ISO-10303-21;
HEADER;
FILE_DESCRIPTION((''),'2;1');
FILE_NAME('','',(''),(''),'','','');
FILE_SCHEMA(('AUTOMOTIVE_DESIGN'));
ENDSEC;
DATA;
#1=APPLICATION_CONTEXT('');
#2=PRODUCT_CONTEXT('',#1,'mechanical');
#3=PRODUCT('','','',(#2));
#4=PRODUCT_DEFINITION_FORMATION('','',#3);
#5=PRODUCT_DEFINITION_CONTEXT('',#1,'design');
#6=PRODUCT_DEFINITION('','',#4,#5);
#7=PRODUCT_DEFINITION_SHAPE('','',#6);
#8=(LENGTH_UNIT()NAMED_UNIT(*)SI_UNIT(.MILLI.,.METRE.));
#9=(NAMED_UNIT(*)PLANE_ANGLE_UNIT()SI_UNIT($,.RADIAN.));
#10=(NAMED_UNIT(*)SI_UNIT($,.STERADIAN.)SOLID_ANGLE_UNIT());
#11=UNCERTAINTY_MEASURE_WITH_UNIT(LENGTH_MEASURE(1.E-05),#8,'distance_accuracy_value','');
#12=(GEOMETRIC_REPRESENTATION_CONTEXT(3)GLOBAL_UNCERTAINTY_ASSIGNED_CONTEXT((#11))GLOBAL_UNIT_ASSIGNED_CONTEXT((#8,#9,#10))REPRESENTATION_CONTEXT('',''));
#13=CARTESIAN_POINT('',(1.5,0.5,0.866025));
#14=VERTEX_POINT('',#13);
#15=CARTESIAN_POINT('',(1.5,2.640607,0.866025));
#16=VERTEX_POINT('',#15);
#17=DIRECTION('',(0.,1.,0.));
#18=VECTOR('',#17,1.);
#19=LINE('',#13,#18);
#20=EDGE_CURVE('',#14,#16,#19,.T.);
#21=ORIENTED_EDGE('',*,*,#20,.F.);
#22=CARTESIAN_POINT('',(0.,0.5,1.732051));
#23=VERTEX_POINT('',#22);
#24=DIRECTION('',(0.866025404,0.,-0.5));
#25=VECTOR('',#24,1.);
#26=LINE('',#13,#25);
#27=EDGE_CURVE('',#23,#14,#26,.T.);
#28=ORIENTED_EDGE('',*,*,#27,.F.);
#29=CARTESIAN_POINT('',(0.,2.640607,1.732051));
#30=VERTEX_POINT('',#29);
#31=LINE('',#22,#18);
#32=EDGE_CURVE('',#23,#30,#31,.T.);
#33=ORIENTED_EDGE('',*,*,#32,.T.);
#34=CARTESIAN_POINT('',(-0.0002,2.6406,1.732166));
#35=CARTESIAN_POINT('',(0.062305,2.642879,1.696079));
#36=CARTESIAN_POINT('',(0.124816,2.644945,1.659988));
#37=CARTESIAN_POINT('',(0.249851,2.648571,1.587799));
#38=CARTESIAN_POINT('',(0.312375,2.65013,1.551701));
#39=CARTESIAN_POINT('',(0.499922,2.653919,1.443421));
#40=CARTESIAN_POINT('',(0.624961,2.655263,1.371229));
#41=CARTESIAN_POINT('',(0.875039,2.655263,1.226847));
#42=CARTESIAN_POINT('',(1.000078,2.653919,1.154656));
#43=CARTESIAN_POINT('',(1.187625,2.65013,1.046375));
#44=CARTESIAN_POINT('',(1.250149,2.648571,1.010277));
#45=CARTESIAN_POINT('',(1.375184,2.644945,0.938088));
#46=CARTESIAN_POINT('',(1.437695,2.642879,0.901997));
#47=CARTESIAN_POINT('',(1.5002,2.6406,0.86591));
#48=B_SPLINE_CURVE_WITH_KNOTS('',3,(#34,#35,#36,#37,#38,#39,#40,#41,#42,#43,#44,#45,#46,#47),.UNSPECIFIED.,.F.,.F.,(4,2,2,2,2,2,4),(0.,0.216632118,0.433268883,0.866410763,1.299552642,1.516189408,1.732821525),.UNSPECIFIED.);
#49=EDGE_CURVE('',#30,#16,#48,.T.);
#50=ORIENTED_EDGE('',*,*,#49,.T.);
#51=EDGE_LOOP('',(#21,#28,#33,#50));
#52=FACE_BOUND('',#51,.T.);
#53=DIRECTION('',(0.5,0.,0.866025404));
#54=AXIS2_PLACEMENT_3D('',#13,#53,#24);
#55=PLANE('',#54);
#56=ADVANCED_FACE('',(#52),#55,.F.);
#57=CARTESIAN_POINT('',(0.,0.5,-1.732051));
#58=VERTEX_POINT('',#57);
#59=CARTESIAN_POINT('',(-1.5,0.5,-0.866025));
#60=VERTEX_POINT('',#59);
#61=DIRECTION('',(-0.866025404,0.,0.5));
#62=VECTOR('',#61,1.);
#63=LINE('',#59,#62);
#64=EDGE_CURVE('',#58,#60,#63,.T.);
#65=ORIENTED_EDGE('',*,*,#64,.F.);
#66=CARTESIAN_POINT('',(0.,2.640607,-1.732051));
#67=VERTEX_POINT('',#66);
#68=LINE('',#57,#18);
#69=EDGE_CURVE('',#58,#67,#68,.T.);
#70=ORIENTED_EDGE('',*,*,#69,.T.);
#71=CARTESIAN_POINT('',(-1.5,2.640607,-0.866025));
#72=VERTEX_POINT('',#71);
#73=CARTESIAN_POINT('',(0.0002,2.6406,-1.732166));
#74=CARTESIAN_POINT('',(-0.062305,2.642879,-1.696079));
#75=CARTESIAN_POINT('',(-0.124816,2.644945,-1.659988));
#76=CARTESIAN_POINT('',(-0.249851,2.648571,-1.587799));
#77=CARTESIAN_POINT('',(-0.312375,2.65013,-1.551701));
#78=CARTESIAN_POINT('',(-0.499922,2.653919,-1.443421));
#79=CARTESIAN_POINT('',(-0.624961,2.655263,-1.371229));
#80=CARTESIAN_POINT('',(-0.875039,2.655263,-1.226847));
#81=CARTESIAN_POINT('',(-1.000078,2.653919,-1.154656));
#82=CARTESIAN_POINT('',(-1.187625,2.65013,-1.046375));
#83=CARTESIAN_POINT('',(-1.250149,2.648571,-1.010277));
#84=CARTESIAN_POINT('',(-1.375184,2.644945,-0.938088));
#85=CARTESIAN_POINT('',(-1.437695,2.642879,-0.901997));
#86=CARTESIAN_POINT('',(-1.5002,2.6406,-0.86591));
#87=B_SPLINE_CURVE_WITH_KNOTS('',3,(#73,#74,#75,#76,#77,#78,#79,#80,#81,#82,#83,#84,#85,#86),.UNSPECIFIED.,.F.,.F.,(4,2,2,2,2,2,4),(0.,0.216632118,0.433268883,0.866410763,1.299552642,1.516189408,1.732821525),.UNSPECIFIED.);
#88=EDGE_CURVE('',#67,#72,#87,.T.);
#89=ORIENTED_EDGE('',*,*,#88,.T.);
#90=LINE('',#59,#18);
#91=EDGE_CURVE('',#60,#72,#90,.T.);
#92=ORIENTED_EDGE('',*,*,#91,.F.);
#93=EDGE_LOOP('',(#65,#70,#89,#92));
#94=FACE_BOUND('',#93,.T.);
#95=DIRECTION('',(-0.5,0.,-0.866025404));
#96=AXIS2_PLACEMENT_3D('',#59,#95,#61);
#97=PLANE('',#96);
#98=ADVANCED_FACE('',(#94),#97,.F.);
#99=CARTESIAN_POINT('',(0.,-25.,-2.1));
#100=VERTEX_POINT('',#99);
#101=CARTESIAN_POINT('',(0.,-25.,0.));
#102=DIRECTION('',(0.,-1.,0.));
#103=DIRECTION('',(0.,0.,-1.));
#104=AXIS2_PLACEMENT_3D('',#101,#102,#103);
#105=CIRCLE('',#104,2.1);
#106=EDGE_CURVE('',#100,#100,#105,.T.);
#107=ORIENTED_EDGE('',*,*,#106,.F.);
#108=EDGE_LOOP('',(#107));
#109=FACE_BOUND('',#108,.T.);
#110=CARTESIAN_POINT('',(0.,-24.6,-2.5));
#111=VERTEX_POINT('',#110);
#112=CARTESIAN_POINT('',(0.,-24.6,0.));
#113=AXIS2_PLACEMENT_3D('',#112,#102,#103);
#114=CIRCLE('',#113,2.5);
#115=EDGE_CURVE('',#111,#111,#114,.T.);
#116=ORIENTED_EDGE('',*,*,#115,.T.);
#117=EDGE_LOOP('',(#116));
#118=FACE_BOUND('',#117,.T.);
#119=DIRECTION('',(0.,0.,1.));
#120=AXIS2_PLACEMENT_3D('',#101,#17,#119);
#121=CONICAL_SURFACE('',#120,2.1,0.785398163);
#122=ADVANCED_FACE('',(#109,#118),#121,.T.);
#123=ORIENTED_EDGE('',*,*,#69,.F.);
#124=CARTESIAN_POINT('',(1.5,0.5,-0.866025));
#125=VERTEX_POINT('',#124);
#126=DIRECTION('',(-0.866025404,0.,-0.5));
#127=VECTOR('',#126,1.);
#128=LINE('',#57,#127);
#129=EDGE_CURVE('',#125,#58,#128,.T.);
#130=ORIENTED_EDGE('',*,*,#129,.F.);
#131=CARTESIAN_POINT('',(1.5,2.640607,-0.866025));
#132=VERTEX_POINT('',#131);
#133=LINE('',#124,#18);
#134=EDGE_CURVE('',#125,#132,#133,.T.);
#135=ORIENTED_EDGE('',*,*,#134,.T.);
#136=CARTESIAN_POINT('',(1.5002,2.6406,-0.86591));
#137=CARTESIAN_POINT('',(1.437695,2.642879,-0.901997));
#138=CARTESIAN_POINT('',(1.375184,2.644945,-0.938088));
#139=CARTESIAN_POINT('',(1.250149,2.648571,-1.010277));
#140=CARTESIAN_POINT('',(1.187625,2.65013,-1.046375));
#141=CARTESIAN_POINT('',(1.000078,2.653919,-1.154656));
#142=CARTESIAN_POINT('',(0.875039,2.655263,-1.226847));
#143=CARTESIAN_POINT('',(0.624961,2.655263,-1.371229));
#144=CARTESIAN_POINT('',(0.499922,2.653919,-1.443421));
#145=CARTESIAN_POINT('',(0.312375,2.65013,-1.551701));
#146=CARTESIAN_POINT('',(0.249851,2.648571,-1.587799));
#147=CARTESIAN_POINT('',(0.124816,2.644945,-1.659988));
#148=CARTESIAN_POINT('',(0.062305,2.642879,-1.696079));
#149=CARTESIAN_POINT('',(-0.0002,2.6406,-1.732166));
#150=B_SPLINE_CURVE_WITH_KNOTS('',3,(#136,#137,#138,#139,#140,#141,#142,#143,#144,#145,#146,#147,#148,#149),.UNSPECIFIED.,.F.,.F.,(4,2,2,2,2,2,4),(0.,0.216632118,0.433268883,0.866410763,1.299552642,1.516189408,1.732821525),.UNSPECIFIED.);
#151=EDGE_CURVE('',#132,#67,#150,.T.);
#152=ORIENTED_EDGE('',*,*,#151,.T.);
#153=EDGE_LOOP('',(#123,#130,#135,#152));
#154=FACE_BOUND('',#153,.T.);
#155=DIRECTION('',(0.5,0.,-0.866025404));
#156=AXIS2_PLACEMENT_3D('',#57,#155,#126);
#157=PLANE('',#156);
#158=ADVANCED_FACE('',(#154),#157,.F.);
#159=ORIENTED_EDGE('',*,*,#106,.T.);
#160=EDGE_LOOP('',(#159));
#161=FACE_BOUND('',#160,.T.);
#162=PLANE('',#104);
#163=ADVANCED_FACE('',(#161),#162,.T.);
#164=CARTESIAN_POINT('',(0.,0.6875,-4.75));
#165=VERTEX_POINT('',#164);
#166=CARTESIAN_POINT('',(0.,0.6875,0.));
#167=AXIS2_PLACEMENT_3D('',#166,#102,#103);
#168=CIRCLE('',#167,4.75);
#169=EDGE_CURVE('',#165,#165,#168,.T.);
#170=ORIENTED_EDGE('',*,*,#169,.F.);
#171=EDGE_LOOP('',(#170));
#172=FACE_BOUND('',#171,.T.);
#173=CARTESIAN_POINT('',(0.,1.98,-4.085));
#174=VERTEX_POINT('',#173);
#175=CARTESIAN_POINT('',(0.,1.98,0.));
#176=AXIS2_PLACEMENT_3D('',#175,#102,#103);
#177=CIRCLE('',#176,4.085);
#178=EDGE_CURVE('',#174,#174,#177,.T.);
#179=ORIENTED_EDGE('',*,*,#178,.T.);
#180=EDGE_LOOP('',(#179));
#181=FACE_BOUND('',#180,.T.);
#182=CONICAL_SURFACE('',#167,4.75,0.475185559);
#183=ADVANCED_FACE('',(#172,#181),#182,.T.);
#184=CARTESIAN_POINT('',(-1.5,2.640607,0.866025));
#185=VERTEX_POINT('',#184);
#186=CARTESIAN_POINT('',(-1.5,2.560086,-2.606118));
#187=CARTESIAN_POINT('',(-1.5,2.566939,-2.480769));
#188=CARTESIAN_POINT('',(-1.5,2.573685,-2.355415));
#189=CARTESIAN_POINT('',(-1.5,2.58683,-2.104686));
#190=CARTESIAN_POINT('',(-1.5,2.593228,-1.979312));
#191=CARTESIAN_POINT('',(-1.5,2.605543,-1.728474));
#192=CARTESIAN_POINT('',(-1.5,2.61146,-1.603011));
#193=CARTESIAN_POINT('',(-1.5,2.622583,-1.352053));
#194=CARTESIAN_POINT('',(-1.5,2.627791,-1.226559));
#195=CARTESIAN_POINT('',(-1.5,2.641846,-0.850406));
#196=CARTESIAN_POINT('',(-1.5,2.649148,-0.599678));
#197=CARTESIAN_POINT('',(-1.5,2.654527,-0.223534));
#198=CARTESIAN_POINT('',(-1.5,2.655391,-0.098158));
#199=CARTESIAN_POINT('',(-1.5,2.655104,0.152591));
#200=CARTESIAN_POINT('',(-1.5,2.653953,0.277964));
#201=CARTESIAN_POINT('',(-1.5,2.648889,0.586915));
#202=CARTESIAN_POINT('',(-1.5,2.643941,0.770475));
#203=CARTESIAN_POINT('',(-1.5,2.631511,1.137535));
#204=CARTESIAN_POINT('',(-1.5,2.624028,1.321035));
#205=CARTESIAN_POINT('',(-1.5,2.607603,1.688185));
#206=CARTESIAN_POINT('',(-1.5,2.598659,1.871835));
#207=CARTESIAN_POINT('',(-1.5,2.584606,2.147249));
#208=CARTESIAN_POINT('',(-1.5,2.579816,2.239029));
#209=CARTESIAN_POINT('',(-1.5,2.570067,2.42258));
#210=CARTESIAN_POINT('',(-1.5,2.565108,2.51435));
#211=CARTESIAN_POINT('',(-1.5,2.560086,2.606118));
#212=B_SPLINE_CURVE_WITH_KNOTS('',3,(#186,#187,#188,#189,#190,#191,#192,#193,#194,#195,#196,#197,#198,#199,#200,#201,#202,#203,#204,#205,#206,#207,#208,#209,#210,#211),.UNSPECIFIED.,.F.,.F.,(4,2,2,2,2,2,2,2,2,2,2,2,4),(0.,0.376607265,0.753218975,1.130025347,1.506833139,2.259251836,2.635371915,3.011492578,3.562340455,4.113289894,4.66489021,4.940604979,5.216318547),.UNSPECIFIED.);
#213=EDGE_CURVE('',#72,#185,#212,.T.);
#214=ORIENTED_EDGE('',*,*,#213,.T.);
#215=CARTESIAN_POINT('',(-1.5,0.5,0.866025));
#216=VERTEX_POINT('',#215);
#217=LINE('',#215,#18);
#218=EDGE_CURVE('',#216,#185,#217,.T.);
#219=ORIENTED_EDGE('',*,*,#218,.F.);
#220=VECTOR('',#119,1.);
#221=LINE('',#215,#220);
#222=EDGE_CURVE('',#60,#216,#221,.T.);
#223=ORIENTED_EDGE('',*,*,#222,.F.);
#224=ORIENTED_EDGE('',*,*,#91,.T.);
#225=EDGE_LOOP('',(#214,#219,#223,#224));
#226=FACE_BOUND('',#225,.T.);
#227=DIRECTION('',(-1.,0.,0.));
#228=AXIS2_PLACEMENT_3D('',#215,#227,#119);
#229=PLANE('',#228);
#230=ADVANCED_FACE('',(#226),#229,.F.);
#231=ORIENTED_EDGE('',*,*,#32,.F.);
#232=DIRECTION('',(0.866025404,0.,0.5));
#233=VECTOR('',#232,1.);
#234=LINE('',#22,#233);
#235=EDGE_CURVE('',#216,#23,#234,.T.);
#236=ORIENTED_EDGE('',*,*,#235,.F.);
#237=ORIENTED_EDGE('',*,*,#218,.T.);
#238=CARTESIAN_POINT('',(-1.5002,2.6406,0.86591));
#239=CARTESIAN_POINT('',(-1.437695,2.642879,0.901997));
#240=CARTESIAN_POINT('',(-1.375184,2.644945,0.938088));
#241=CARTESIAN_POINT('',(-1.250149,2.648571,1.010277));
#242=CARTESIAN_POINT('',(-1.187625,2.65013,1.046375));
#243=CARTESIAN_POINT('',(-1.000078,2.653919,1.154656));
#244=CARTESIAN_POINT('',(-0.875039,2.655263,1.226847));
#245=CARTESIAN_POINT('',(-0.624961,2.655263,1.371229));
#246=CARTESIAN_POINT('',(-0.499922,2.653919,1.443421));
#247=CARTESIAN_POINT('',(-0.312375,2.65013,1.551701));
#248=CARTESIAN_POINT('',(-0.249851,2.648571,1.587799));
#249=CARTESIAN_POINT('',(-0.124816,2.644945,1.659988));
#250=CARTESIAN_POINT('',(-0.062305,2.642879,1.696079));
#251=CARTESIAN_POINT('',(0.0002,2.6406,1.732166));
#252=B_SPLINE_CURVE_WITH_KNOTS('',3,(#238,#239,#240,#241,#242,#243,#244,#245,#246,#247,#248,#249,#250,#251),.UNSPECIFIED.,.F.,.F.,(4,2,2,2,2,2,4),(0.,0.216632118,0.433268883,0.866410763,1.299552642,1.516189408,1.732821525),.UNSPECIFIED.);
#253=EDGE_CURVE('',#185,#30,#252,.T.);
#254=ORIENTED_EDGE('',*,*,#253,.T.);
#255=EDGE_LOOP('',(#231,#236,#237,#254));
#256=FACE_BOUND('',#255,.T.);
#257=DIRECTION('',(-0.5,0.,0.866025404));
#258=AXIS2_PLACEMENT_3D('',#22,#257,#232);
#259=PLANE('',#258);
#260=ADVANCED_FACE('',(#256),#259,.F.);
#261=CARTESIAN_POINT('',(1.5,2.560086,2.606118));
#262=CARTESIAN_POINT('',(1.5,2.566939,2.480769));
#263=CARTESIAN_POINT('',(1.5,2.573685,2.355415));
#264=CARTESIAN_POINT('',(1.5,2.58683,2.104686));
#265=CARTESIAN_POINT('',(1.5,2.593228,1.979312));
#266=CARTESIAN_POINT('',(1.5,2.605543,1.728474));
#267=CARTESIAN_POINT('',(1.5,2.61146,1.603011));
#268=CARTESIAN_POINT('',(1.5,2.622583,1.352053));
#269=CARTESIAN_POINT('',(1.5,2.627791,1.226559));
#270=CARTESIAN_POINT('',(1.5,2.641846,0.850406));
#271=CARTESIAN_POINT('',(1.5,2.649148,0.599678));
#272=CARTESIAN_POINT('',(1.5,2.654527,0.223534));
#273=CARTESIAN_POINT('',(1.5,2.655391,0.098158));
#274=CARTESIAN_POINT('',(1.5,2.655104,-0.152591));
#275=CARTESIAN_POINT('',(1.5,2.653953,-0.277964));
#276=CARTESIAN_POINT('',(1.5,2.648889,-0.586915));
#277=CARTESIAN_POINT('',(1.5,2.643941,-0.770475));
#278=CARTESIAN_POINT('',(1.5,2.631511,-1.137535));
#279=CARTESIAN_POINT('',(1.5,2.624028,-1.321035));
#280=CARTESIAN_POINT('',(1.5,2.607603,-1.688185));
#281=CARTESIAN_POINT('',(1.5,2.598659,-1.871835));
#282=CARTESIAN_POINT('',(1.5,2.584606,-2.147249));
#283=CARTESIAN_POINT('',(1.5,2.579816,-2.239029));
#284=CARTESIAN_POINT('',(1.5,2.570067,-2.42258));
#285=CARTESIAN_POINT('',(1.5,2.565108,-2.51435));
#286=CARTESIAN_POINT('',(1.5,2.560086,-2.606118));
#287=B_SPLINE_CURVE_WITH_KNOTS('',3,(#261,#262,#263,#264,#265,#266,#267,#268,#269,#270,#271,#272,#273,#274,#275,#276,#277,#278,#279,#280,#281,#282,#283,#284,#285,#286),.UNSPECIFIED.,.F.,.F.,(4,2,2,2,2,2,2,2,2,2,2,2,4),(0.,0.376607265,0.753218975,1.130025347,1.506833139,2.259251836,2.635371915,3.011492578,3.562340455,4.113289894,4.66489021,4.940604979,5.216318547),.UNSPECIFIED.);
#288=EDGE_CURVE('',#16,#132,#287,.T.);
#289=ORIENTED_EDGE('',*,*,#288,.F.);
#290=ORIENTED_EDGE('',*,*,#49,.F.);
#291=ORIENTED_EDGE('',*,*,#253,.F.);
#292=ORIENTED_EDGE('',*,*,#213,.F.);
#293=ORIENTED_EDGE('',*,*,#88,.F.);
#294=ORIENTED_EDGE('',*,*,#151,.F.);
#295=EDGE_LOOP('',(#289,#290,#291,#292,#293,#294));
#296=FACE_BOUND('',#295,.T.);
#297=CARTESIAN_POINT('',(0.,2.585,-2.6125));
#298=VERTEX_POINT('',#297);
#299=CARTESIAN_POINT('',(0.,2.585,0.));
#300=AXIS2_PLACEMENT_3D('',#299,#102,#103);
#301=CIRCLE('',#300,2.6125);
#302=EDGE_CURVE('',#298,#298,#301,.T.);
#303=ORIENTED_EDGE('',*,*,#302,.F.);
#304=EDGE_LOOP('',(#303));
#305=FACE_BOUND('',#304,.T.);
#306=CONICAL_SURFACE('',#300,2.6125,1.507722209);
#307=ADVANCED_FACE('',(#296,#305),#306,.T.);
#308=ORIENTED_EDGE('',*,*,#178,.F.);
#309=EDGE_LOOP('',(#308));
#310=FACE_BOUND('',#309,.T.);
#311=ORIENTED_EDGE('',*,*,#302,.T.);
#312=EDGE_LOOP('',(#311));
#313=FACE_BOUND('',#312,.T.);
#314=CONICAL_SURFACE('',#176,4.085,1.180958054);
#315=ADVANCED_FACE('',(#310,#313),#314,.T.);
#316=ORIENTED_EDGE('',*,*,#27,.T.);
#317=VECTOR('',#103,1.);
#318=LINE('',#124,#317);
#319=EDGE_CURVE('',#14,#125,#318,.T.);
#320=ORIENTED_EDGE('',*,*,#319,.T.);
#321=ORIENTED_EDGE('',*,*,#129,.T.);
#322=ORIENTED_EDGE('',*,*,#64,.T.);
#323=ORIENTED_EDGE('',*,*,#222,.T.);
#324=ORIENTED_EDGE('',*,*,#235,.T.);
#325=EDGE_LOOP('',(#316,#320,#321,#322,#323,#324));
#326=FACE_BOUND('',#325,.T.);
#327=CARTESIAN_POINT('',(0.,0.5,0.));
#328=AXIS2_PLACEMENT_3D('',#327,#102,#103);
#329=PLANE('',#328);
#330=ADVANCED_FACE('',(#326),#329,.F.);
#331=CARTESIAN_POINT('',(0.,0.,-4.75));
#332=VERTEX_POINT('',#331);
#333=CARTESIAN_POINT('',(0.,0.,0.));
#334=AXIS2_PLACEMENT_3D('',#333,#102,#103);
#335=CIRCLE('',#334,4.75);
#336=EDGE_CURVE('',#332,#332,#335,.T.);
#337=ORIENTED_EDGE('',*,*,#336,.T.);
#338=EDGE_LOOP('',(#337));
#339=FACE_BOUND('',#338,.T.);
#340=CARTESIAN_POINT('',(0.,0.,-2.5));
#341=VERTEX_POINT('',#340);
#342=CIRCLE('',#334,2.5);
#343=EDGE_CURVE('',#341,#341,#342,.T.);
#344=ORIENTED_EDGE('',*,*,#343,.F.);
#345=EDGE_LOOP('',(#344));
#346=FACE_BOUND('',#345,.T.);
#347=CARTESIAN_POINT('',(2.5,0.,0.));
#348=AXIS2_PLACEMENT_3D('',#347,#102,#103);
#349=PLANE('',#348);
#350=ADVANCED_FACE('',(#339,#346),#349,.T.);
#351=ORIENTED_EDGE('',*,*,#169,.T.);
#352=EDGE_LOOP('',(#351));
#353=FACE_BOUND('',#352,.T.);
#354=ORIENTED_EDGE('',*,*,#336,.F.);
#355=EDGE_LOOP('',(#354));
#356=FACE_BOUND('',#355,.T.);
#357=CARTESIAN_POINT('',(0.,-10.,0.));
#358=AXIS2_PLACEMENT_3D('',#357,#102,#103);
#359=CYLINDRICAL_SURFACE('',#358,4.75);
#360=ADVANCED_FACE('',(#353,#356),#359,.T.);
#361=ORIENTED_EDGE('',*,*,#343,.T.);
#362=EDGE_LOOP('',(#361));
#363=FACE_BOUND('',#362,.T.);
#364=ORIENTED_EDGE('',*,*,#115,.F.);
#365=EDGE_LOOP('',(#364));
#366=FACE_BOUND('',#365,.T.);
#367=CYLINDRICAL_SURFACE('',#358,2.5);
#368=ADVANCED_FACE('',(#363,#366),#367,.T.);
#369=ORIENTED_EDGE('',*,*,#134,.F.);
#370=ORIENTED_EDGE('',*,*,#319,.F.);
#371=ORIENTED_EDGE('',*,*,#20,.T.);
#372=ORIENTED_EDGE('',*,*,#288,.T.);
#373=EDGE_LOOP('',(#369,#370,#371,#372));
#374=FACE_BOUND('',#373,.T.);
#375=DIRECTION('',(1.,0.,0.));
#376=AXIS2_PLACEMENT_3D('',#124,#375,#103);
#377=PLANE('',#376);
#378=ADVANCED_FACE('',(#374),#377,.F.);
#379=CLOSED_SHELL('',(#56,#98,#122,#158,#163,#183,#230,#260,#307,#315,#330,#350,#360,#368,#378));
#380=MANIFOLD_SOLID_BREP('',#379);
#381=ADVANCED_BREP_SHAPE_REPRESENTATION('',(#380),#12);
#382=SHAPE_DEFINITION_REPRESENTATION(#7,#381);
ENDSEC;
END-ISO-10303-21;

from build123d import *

# Parameters (mm, degrees)
CUT_EXTRUDE1_DEPTH = 2.25


with BuildPart() as part:
    # Sketch1 → Revolve1 (revolve)
    with BuildSketch(Plane.XY, mode=Mode.PRIVATE) as revolve1_sk:
        Polygon((0, -25), (2.1, -25), (2.5, -24.6), (2.5, 0), (4.75, 0), (4.75, 0.6875), (4.085, 1.98), (2.6125, 2.585), (0, 2.75), align=None)
    revolve(revolve1_sk.sketch.rotate(Axis((0, -10, 0), (0, 1, 0)), 90), axis=Axis((0, -10, 0), (0, 1, 0)))

    # Sketch2 → Cut-Extrude1 (cut)
    with BuildSketch(Plane(origin=(0, 2.75, 0), x_dir=(1, 0, 0), z_dir=(0, 1, 0))):
        Polygon((1.5, -0.866025404), (0, -1.732050808), (-1.5, -0.866025404), (-1.5, 0.866025404), (0, 1.732050808), (1.5, 0.866025404), align=None)
    extrude(amount=-CUT_EXTRUDE1_DEPTH, mode=Mode.SUBTRACT)


solid = part.part
